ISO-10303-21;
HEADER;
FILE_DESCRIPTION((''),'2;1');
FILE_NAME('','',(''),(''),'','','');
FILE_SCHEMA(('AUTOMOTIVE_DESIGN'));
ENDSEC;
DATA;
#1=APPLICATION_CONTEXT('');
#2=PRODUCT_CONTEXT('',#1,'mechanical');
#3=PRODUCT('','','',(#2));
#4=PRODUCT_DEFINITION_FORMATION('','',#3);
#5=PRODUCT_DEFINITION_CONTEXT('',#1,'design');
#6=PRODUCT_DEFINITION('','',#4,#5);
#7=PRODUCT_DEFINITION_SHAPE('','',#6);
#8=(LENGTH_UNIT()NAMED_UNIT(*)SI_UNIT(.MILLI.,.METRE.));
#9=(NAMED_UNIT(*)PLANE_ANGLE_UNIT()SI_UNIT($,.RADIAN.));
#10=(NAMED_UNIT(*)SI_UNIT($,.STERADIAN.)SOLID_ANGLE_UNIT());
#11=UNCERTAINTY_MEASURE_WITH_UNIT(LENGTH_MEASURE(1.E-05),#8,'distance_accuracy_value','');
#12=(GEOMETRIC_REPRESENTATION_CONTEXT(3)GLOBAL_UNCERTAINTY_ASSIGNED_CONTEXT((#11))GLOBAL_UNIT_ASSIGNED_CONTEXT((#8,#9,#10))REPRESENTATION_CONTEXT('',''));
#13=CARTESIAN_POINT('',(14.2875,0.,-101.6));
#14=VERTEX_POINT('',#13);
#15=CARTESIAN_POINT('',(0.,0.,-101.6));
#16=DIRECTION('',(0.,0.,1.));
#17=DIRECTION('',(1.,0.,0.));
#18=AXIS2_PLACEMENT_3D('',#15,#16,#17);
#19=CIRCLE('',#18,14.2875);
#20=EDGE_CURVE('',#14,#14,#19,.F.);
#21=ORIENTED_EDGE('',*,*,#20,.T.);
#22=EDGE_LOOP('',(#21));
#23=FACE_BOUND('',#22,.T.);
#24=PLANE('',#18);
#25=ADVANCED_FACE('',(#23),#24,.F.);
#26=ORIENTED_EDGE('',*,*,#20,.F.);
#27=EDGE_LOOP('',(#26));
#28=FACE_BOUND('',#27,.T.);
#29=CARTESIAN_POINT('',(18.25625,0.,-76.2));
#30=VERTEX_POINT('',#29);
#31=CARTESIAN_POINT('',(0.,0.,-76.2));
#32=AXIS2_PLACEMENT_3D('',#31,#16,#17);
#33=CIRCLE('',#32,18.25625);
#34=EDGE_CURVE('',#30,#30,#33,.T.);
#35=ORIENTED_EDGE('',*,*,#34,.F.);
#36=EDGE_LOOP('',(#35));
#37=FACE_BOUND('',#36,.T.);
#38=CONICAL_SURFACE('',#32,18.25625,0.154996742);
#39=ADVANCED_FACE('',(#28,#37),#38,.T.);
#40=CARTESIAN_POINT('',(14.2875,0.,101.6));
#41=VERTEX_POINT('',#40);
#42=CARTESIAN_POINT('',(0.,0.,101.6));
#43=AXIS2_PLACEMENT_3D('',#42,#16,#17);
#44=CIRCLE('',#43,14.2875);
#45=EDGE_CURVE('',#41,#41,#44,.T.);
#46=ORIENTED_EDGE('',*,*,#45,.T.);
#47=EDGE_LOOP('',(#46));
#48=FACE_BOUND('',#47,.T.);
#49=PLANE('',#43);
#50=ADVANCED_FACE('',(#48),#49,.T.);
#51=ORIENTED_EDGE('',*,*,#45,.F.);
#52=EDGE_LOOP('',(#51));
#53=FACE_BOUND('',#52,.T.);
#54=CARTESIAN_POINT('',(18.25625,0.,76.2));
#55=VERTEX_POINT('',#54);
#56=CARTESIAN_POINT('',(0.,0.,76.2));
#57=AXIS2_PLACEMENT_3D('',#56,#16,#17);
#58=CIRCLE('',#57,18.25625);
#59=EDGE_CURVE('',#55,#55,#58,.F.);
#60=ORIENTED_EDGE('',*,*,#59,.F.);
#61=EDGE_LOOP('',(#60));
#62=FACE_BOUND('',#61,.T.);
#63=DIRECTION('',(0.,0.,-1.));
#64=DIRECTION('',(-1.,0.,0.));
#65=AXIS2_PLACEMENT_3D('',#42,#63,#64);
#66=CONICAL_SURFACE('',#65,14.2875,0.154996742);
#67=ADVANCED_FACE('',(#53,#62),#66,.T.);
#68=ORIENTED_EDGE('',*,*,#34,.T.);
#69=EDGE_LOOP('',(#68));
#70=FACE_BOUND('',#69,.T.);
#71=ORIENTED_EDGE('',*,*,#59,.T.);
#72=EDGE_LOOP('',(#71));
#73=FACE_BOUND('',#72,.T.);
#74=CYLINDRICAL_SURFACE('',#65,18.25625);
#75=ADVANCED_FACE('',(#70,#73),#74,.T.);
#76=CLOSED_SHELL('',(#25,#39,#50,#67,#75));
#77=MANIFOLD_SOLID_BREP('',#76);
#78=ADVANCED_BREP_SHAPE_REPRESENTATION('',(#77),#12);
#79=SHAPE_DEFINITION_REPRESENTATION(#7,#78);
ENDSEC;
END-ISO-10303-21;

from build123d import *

# Parameters (mm, degrees)
SKETCH1_R           = 18.25625
BOSS_EXTRUDE1_DEPTH = 101.6
CHAMFER1_SIZE       = 25.4
CHAMFER1_SIZE2      = 3.96875
CHAMFER2_SIZE       = 3.96875
CHAMFER2_SIZE2      = 25.4


with BuildPart() as part:
    # Sketch1 → Boss-Extrude1 (new body, symmetric)
    with BuildSketch(Plane.XY):
        Circle(SKETCH1_R)
    extrude(amount=BOSS_EXTRUDE1_DEPTH, both=True)

    # Chamfer1
    chamfer1_edges = [part.edges().sort_by_distance(p)[0] for p in [
        (-18.25625, 0, 101.6),
    ]]
    chamfer1_side = [part.faces().sort_by_distance(p)[0] for p in [
        (-18.25625, 0, 0),
    ]]
    chamfer(chamfer1_edges, length=CHAMFER1_SIZE, length2=CHAMFER1_SIZE2, reference=chamfer1_side[0])

    # Chamfer2
    chamfer2_edges = [part.edges().sort_by_distance(p)[0] for p in [
        (-18.25625, 0, -101.6),
    ]]
    chamfer2_side = [part.faces().sort_by_distance(p)[0] for p in [
        (0, 0, -101.6),
    ]]
    chamfer(chamfer2_edges, length=CHAMFER2_SIZE, length2=CHAMFER2_SIZE2, reference=chamfer2_side[0])


solid = part.part
